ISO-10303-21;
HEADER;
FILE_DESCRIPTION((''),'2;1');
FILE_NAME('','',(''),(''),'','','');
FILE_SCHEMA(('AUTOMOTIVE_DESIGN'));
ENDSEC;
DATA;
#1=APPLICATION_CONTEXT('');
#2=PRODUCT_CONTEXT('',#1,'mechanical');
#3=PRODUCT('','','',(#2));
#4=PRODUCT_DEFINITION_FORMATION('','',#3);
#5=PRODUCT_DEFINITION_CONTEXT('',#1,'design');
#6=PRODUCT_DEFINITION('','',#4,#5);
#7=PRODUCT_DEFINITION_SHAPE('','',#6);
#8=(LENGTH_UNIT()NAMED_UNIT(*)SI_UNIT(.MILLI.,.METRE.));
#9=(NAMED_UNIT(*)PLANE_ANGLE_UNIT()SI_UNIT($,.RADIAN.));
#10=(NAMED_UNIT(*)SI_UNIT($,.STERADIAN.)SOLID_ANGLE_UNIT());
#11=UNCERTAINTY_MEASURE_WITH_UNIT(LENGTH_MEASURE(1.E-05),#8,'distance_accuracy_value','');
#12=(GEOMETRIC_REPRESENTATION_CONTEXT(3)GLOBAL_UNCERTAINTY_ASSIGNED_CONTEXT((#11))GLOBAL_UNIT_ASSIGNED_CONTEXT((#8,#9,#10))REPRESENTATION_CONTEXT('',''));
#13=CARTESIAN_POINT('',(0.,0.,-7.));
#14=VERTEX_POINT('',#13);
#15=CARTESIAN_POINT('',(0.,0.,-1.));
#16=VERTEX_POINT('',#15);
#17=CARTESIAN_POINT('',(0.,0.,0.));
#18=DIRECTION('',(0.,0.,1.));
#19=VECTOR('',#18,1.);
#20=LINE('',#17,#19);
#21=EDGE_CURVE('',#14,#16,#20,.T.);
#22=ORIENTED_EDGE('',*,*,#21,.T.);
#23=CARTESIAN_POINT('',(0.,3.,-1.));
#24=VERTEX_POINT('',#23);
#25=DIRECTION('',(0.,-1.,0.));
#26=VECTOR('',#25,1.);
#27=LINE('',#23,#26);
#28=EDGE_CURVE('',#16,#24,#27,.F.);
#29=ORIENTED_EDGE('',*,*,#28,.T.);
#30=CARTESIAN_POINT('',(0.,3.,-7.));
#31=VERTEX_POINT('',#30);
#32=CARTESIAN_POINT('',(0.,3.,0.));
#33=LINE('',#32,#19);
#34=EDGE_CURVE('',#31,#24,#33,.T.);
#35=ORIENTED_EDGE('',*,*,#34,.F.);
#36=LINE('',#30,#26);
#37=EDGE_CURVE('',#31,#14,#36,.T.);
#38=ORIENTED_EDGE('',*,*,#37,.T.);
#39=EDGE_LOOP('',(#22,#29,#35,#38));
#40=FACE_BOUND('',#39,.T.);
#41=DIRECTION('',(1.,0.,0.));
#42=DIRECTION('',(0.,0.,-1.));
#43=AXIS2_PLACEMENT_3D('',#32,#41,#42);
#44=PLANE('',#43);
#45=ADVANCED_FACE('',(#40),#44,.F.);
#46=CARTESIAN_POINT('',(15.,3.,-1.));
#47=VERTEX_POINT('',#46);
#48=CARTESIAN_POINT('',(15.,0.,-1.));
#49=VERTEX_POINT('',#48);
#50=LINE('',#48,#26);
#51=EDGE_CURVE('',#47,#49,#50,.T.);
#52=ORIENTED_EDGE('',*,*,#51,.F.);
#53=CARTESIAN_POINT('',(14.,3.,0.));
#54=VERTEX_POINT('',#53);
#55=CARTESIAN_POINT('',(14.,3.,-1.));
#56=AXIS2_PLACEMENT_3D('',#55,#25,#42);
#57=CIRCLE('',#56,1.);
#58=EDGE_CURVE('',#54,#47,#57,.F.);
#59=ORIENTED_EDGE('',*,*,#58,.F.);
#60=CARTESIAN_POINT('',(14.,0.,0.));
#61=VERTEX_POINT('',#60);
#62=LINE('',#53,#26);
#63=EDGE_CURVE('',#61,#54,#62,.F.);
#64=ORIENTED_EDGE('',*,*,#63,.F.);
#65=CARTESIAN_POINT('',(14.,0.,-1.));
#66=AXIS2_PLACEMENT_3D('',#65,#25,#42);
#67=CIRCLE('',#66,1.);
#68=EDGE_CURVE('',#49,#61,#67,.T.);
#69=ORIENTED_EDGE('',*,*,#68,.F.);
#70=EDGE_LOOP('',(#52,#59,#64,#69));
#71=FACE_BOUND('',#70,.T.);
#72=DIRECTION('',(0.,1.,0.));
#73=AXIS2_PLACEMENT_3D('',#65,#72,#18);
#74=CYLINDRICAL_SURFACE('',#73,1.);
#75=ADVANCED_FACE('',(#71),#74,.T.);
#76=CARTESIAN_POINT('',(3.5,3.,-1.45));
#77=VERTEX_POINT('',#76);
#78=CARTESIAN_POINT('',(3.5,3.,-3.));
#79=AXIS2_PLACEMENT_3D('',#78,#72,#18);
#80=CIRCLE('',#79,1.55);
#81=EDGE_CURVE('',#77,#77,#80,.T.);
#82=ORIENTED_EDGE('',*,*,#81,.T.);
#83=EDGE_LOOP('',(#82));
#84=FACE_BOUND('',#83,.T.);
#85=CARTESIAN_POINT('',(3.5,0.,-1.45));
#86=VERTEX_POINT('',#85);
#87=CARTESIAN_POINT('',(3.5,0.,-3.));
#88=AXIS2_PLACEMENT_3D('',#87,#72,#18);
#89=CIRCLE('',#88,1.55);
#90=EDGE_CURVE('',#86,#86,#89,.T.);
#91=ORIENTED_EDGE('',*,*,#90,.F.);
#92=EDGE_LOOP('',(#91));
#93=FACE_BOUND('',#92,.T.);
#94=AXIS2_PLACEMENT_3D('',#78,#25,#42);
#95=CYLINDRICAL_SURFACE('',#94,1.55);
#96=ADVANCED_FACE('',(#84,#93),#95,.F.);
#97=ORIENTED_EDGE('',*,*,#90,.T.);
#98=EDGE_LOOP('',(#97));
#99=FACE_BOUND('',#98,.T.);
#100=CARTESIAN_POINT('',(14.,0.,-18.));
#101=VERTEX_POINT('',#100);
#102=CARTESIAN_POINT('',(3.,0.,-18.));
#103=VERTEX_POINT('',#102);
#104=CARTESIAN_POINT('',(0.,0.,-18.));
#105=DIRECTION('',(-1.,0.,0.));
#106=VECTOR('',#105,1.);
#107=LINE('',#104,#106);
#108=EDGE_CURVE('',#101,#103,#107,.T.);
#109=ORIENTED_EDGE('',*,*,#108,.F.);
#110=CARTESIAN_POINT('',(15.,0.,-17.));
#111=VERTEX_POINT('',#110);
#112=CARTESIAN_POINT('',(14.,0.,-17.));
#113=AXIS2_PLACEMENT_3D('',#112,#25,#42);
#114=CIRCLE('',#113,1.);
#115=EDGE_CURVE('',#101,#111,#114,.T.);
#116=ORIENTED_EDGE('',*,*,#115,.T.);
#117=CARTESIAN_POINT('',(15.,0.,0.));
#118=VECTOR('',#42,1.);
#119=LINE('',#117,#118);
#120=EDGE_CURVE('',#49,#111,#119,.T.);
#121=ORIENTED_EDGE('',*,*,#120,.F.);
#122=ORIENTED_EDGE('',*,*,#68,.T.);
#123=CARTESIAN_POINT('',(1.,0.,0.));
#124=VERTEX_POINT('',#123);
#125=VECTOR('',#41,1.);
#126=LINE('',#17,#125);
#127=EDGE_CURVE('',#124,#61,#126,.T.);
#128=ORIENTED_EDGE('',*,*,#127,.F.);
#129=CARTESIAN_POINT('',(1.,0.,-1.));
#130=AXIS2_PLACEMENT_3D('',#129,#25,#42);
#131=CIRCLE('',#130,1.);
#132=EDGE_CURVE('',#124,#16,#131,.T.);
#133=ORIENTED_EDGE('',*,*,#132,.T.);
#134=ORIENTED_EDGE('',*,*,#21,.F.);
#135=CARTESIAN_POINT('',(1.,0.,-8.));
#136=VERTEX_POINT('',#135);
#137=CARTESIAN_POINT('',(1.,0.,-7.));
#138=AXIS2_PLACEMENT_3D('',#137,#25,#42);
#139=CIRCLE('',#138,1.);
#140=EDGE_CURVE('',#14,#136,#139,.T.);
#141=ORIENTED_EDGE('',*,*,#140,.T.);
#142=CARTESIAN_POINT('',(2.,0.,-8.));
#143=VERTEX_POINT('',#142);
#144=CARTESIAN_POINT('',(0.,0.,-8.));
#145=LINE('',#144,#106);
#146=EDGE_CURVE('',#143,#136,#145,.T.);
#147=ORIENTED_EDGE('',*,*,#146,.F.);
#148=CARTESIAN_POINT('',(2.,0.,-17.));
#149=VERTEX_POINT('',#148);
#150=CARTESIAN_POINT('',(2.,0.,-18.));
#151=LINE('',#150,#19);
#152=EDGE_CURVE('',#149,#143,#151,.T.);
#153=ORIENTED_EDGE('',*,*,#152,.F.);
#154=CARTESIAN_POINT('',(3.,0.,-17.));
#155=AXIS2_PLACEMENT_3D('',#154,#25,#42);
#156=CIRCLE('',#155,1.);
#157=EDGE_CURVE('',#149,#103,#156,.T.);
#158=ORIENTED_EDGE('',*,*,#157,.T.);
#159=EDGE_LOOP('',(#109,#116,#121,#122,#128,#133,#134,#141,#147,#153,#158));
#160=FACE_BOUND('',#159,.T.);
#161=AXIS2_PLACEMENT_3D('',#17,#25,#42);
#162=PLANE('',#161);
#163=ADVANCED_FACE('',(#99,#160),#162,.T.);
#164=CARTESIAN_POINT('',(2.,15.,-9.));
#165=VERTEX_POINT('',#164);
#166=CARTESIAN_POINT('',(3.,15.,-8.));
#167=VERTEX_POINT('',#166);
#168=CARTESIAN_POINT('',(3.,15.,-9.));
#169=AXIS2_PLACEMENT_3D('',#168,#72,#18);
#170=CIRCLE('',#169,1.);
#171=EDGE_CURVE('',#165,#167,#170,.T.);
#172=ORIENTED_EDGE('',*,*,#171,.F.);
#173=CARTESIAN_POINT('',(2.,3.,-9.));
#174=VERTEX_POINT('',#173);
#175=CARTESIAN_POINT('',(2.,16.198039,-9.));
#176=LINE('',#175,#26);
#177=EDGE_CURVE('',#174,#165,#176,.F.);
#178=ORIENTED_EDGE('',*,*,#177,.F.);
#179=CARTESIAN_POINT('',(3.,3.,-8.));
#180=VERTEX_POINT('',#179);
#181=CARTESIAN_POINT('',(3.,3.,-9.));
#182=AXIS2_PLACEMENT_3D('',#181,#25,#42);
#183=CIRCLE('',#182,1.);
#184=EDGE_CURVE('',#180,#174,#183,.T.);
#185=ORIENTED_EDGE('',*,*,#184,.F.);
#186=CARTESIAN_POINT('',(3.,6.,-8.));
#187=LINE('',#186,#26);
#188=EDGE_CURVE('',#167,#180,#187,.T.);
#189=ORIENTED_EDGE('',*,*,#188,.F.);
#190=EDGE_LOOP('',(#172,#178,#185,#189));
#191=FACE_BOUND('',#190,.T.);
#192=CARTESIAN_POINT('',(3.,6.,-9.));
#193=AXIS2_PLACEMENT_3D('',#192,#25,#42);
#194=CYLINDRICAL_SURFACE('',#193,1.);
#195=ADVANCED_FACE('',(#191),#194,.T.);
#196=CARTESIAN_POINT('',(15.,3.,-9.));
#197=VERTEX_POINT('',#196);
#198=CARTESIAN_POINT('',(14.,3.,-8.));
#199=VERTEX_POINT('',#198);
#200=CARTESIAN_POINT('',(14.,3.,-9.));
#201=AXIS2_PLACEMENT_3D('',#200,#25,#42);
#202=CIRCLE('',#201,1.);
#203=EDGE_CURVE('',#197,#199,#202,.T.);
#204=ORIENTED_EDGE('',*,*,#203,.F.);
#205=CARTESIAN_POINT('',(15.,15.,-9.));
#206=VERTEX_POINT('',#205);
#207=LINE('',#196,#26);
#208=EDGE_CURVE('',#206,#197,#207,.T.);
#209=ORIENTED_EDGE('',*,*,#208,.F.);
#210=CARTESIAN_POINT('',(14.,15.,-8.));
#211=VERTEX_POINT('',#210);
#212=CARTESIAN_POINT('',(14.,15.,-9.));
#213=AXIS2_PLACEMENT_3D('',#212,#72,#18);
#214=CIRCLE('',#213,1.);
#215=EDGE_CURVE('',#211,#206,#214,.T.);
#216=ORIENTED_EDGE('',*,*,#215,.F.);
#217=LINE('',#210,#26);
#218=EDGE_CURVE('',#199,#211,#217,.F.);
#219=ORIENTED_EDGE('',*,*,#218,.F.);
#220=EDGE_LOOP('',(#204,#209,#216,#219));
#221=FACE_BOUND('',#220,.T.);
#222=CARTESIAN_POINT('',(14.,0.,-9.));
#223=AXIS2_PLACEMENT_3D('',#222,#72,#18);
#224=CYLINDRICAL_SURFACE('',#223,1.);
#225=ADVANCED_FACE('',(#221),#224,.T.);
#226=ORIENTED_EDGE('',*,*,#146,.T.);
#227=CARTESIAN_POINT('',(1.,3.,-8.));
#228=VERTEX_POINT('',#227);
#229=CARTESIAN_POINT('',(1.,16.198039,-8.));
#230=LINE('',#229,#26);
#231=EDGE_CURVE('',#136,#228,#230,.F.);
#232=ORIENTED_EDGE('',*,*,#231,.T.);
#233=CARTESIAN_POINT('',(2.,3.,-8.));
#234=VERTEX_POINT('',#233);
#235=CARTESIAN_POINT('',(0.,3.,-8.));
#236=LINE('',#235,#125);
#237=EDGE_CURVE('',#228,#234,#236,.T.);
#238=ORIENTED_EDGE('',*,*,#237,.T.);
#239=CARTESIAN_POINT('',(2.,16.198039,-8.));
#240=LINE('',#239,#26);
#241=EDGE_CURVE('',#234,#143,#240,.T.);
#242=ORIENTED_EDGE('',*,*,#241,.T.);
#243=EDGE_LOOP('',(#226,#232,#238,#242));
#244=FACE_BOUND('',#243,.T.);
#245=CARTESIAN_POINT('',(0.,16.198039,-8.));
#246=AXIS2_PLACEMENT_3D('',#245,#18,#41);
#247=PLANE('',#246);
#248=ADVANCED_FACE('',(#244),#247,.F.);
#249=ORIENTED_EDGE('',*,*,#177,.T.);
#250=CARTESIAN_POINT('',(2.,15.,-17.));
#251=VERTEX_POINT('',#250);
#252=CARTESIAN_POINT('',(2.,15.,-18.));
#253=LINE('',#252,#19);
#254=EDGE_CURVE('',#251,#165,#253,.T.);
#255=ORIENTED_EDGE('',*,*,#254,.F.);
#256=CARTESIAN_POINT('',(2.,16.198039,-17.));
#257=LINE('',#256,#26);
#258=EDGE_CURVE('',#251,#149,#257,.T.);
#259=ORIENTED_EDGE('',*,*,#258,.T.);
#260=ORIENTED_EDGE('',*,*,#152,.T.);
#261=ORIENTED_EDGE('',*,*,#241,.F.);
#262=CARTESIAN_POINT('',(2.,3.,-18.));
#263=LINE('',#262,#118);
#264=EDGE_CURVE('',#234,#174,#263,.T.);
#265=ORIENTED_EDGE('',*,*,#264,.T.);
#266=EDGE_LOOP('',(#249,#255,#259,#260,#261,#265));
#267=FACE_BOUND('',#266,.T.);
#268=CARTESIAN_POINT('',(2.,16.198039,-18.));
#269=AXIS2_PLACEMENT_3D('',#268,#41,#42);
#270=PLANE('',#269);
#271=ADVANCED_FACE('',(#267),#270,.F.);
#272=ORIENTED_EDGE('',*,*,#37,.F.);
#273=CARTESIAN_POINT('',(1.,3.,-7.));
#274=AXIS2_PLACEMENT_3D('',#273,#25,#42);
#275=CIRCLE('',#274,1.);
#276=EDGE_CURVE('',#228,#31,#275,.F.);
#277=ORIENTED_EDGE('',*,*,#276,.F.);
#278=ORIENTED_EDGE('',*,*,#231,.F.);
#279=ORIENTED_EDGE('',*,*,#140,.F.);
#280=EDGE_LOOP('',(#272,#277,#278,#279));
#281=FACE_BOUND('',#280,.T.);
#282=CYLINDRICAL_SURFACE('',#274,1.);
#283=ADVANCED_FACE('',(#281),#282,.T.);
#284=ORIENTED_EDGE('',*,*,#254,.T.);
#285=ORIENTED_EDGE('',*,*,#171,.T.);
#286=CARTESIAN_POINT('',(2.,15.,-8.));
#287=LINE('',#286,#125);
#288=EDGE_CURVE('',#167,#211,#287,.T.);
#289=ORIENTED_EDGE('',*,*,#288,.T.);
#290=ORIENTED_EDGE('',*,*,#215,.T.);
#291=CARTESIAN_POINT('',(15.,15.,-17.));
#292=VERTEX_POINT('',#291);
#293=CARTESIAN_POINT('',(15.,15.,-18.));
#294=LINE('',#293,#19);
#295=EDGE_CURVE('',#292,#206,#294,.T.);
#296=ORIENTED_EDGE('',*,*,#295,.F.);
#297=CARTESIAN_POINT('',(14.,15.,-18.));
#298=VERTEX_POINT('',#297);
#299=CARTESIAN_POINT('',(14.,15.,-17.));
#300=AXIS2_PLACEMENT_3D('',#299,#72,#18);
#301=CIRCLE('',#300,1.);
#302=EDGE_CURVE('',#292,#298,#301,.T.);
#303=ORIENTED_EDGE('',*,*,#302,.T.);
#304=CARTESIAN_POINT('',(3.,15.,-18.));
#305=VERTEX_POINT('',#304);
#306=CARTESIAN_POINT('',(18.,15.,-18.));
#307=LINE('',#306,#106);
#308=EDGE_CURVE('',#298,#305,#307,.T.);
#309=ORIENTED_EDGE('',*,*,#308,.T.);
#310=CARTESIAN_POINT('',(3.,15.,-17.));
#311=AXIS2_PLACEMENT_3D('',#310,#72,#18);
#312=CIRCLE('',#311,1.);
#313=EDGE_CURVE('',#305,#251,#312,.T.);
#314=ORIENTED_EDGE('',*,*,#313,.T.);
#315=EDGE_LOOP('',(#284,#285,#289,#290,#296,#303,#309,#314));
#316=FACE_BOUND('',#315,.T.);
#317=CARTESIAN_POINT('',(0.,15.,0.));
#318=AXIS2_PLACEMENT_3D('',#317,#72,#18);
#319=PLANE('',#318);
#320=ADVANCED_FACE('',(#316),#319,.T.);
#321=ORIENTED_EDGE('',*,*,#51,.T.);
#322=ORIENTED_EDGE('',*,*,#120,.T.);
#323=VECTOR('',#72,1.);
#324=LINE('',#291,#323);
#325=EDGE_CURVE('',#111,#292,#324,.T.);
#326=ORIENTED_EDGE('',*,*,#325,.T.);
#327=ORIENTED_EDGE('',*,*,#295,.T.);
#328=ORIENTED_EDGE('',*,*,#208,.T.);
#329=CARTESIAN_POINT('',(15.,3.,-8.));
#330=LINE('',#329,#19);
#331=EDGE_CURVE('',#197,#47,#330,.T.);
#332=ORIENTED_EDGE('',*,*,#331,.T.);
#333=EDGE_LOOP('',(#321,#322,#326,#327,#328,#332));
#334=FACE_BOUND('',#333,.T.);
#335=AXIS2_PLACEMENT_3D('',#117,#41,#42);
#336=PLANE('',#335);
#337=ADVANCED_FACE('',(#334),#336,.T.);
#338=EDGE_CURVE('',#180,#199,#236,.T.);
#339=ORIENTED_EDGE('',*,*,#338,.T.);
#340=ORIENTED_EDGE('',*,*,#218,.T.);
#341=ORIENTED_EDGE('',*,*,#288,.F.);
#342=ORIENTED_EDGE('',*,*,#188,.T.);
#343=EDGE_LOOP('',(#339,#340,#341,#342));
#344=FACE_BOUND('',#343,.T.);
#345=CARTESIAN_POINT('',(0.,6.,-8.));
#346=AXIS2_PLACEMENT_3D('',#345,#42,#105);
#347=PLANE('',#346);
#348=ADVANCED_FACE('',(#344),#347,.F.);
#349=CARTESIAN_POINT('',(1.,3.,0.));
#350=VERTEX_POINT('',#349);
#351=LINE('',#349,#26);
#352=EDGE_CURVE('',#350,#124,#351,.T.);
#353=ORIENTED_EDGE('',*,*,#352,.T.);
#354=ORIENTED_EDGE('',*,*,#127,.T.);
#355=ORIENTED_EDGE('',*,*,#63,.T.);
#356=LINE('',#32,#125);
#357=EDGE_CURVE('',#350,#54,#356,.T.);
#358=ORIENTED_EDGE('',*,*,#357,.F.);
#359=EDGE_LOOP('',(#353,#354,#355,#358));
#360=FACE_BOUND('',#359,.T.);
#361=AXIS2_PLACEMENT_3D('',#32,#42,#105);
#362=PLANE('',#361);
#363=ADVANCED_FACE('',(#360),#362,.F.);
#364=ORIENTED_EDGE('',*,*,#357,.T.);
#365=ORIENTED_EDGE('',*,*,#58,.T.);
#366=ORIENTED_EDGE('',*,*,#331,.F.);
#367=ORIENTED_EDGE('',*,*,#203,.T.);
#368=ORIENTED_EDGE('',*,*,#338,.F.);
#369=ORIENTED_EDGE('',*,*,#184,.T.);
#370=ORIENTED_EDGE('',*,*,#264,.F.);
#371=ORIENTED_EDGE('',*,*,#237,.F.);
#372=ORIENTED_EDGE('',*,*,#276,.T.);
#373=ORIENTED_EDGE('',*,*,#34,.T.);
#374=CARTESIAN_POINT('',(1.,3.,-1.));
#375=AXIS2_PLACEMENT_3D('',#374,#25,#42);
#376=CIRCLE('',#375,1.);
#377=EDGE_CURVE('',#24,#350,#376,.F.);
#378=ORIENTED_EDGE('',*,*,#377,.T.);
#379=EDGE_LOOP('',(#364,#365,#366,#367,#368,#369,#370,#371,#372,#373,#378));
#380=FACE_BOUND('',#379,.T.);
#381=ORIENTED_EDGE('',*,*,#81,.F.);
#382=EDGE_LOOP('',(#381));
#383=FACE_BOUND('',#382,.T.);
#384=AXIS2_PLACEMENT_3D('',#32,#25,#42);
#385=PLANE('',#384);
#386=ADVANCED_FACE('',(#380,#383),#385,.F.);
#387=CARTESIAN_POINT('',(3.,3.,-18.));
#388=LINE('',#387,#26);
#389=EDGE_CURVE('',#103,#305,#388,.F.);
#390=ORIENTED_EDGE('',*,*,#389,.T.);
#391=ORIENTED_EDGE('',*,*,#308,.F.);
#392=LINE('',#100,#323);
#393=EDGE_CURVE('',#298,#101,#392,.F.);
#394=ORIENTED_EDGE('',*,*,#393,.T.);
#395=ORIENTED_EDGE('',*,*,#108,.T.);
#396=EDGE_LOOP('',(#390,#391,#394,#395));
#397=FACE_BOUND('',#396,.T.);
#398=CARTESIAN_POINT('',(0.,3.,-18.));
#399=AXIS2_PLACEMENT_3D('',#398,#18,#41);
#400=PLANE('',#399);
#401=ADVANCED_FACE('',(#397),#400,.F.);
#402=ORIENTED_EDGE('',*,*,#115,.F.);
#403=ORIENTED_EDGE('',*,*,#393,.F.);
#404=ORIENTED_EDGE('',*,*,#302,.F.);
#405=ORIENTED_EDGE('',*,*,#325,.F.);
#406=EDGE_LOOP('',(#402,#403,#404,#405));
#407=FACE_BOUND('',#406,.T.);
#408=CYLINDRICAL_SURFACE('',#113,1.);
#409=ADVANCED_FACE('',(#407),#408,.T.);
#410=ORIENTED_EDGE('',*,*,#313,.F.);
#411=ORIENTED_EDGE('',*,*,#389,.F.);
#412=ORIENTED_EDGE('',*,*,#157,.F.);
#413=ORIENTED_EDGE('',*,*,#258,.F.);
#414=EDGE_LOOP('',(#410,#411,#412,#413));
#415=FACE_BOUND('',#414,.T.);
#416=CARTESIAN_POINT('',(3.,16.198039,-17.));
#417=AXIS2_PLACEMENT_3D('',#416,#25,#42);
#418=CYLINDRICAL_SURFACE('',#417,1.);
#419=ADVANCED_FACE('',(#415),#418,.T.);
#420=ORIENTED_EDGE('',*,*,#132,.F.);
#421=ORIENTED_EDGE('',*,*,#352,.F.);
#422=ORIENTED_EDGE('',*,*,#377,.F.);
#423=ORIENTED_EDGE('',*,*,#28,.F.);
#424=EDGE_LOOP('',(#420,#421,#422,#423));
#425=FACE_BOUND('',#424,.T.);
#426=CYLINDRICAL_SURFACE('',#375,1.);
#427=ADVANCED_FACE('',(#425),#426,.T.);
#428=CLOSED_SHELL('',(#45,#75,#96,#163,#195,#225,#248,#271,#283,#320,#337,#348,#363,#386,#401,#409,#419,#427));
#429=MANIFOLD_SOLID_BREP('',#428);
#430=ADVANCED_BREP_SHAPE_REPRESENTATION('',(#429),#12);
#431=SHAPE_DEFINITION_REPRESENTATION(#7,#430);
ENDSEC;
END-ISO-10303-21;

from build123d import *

# Parameters (mm, degrees)
CROQUIS1_W              = 18
CROQUIS1_H              = 18
CROQUIS1_R              = 1.55
SALIENTE_EXTRUIR1_DEPTH = 3
CROQUIS3_W              = 18
CROQUIS3_H              = 10
SALIENTE_EXTRUIR3_DEPTH = 3
CORTAR_EXTRUIR1_REACH   = 28.153
CROQUIS4_W              = 2
CROQUIS4_H              = 10
CROQUIS14_W             = 16
CROQUIS14_H             = 10
SALIENTE_EXTRUIR8_DEPTH = 9
CORTAR_EXTRUIR2_DEPTH   = 3
REDONDEO1_R             = 1


with BuildPart() as part:
    # Croquis1 → Saliente-Extruir1 (new body)
    with BuildSketch(Plane(origin=(0, 0, 0), x_dir=(1, 0, 0), z_dir=(0, 1, 0))):
        with Locations((9, 9)):
            Rectangle(CROQUIS1_W, CROQUIS1_H)
        with Locations(Location((3.5, 3, 0), (0, 0, 270))):
            Circle(CROQUIS1_R, mode=Mode.SUBTRACT)
    extrude(amount=SALIENTE_EXTRUIR1_DEPTH)

    # Croquis3 → Saliente-Extruir3 (add)
    with BuildSketch(Plane(origin=(0, 3, 0), x_dir=(1, 0, 0), z_dir=(0, 1, 0))):
        with Locations((9, 13)):
            Rectangle(CROQUIS3_W, CROQUIS3_H)
    extrude(amount=SALIENTE_EXTRUIR3_DEPTH)

    # Cortar-Extruir1: up to this face of the body (flat: up to its plane)
    cortar_extruir1_end = Plane(part.part.faces().sort_by_distance((9, 6, -13))[0])
    # Croquis4 → Cortar-Extruir1 (cut, up to the picked face)
    with BuildSketch(Plane.XZ, mode=Mode.PRIVATE) as cortar_extruir1_sk1:
        with Locations((1, -13)):
            Rectangle(CROQUIS4_W, CROQUIS4_H)
    cortar_extruir1_tool1 = split(extrude(cortar_extruir1_sk1.sketch, amount=-CORTAR_EXTRUIR1_REACH, mode=Mode.PRIVATE), bisect_by=cortar_extruir1_end, keep=Keep.BOTH, mode=Mode.PRIVATE)
    add(cortar_extruir1_tool1.solids().sort_by(Axis((1, 0, -13), (0, 1, 0)))[0], mode=Mode.SUBTRACT)

    # Croquis14 → Saliente-Extruir8 (add)
    with BuildSketch(Plane(origin=(0, 6, 0), x_dir=(1, 0, 0), z_dir=(0, 1, 0))):
        with Locations((10, 13)):
            Rectangle(CROQUIS14_W, CROQUIS14_H)
    extrude(amount=SALIENTE_EXTRUIR8_DEPTH)

    # Croquis15 → Cortar-Extruir2 (cut)
    with BuildSketch(Plane(origin=(18, 0, 0), x_dir=(0, 0, -1), z_dir=(1, 0, 0))):
        Polygon((0, 0), (18, 0), (18, 15), (8, 15), (8, 3), (0, 3), align=None)
    extrude(amount=-CORTAR_EXTRUIR2_DEPTH, mode=Mode.SUBTRACT)

    # Redondeo1
    redondeo1_edges = [part.edges().sort_by_distance(p)[0] for p in [
        (0, 1.5, -8),
        (2, 7.5, -18),
        (2, 9, -8),
        (15, 1.5, 0),
        (15, 9, -8),
        (15, 7.5, -18),
        (0, 1.5, 0),
    ]]
    fillet(redondeo1_edges, radius=REDONDEO1_R)


solid = part.part
